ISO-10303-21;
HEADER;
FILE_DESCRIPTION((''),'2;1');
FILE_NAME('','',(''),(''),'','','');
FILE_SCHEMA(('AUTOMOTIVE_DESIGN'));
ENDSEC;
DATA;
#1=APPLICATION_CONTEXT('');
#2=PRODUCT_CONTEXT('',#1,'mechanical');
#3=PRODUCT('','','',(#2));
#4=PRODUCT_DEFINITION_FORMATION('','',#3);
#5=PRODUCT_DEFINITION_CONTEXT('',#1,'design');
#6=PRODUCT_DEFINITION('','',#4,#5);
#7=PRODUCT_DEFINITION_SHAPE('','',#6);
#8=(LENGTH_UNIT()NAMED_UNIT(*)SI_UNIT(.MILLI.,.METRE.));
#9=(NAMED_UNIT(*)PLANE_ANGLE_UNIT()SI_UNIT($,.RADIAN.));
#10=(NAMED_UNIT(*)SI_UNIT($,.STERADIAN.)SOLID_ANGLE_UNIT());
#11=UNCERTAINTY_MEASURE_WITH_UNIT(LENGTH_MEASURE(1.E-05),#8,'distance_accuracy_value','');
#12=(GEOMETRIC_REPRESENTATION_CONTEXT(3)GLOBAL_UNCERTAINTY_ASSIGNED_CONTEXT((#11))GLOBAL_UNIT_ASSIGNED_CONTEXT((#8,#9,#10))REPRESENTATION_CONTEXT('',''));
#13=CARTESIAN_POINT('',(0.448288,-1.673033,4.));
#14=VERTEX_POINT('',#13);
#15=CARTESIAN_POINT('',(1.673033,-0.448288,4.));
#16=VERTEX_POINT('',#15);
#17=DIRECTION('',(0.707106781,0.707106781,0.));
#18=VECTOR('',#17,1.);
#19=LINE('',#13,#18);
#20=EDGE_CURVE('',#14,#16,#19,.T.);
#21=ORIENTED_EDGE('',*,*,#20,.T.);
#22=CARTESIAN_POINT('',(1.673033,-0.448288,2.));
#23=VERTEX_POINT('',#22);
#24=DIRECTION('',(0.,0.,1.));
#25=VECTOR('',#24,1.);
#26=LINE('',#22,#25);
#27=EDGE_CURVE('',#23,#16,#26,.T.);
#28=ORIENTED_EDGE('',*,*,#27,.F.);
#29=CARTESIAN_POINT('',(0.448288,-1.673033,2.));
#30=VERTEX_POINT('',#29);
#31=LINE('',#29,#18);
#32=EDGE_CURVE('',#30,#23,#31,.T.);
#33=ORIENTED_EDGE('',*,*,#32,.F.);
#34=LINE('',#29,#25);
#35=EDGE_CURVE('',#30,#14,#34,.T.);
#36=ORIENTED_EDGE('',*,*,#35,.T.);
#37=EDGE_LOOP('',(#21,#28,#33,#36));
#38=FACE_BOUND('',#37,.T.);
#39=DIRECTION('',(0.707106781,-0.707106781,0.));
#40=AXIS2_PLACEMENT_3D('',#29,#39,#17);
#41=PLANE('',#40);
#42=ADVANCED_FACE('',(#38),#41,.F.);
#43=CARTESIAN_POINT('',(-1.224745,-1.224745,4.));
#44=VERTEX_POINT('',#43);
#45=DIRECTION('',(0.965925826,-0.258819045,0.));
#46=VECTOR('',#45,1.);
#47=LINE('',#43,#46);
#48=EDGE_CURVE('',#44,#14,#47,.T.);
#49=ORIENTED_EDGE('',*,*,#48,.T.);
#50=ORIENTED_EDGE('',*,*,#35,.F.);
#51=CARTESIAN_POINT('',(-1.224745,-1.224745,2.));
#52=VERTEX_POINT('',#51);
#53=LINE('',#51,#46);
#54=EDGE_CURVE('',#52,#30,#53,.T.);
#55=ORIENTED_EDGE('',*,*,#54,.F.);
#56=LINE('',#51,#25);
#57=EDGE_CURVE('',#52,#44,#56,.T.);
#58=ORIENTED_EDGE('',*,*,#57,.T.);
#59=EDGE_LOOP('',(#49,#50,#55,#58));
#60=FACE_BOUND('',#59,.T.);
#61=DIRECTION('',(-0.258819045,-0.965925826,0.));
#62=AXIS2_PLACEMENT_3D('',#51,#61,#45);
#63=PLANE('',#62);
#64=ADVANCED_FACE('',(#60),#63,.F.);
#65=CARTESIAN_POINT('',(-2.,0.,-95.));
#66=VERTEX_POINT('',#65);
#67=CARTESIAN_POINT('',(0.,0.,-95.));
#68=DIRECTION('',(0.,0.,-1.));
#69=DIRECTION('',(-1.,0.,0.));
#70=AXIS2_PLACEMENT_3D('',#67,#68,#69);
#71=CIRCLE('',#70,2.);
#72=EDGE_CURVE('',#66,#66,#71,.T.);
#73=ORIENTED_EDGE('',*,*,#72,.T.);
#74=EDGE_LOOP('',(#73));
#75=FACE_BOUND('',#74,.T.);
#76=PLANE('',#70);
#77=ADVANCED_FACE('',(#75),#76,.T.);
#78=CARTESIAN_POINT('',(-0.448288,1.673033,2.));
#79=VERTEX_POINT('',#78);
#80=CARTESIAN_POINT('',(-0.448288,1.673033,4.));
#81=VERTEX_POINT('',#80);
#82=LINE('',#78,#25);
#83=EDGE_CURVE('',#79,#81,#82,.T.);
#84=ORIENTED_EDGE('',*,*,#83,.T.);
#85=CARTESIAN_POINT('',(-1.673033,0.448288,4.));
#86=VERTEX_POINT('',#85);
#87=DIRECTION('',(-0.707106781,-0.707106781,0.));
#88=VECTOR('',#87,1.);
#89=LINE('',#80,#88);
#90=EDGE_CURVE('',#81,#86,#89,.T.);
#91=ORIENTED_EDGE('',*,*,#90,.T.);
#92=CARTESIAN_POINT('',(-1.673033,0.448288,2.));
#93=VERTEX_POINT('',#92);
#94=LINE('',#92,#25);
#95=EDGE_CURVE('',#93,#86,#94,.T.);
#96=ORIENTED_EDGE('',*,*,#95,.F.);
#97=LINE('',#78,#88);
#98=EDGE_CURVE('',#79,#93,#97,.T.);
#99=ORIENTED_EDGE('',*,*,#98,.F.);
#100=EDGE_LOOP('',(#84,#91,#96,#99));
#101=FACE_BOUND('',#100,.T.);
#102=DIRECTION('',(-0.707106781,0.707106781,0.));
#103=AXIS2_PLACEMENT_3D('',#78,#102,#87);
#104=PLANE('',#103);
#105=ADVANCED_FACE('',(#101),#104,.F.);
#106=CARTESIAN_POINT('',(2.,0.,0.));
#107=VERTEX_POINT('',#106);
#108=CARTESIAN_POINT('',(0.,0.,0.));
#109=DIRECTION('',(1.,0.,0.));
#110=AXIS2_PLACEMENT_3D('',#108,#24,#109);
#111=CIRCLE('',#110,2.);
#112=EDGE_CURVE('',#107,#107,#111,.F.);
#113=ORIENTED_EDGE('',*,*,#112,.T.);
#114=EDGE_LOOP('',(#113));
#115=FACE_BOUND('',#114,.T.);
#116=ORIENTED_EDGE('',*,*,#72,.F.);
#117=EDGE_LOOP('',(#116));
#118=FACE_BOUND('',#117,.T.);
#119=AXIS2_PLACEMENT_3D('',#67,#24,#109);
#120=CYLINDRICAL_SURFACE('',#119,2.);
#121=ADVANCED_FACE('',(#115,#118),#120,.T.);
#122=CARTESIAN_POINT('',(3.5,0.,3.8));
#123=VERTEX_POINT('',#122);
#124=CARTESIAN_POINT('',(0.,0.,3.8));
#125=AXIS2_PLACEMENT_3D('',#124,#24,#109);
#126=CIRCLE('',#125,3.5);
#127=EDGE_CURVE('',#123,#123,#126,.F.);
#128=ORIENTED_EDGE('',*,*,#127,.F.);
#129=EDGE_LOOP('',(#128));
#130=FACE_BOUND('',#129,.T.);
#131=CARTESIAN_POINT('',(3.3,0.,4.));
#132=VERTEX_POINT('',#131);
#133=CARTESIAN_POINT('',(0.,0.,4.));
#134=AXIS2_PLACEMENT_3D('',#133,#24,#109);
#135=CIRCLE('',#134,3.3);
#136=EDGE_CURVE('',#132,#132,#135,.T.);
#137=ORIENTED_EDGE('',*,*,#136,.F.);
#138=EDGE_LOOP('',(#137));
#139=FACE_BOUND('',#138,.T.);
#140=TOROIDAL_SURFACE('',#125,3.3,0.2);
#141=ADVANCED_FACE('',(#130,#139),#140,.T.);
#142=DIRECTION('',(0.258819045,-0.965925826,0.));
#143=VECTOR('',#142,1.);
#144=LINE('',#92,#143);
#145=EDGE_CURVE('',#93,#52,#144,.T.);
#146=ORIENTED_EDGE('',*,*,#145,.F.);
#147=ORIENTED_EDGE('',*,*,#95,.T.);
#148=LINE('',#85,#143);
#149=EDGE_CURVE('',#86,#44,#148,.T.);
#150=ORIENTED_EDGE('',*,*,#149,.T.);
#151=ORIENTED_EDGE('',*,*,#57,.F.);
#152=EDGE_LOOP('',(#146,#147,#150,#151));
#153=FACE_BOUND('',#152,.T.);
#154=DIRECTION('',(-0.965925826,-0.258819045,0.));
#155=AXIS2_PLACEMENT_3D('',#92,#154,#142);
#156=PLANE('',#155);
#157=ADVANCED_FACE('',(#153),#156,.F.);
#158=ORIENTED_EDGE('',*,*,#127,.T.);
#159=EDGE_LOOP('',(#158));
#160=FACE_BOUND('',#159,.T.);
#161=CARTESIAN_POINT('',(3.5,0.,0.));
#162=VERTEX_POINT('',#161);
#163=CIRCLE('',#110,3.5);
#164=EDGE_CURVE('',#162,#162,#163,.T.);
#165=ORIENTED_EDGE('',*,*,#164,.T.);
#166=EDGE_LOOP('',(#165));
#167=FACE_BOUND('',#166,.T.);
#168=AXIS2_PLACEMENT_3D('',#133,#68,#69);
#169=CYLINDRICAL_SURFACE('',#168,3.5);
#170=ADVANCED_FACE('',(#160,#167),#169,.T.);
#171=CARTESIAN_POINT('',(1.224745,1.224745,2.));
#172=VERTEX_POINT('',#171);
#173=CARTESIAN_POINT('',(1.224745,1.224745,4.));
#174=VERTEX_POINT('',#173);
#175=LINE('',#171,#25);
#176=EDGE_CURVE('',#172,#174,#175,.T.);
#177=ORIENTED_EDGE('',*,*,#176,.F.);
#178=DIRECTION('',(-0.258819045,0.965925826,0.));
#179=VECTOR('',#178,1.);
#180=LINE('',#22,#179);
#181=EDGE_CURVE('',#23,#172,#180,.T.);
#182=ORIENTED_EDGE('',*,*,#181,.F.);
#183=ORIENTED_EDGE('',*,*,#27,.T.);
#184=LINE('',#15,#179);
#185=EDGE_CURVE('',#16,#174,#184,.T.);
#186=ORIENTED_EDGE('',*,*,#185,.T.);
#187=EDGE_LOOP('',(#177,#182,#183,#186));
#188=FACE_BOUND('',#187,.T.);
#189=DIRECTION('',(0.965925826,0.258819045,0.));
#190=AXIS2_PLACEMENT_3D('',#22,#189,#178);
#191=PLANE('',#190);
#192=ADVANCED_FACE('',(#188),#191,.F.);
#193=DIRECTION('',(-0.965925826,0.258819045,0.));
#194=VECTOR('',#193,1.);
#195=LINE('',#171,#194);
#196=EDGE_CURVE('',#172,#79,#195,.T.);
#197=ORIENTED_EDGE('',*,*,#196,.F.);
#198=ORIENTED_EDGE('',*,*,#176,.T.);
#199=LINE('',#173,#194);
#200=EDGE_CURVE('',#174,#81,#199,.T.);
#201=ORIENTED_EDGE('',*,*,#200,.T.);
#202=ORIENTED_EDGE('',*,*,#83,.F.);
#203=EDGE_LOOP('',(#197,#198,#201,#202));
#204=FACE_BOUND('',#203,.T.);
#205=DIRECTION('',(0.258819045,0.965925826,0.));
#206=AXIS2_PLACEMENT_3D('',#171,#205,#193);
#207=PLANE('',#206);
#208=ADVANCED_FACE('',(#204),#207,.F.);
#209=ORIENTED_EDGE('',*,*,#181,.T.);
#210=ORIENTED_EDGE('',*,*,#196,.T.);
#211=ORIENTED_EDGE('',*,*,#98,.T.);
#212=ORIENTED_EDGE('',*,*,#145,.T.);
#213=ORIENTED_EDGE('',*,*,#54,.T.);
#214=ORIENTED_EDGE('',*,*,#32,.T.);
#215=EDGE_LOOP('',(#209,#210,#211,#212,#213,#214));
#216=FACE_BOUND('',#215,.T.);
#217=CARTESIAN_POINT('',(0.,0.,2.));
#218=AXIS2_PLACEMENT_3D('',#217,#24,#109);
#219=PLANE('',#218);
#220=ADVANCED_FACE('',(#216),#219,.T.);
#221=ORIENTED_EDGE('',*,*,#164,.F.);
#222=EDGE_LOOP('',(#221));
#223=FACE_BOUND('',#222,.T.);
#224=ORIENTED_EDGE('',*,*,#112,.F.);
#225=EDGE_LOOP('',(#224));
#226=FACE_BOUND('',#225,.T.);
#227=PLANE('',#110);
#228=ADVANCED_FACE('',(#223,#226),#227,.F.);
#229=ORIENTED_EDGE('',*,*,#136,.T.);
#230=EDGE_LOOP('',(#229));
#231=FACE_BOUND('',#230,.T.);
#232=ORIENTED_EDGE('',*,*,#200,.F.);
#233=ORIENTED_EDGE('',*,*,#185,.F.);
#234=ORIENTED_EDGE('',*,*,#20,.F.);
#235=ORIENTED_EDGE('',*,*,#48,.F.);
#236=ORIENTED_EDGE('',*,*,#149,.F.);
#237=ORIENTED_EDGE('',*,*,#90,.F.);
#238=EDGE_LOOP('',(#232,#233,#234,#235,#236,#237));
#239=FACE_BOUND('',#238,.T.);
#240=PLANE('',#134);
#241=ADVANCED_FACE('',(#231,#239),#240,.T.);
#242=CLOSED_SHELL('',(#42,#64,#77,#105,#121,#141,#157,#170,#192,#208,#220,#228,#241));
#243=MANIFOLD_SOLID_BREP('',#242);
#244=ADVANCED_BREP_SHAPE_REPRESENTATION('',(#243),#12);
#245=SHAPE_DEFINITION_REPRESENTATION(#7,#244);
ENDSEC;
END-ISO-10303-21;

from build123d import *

# Parameters (mm, degrees)
SKETCH_1_R          = 3.5
EXTRUDE_1_DEPTH     = 4
CUT_EXTRUDE_1_DEPTH = 2
SKETCH_3_R          = 2
EXTRUDE_2_DEPTH     = 95
FILLET_1_R          = 0.2


with BuildPart() as part:
    # 草图1 → 凸台-拉伸1 (new body)
    with BuildSketch(Plane.XY):
        Circle(SKETCH_1_R)
    extrude(amount=EXTRUDE_1_DEPTH)

    # 草图2 → 切除-拉伸1 (cut)
    with BuildSketch(Plane.XY.offset(4)):
        Polygon((-1.224744871, -1.224744871), (0.448287736, -1.673032607), (1.673032607, -0.448287736), (1.224744871, 1.224744871), (-0.448287736, 1.673032607), (-1.673032607, 0.448287736), align=None)
    extrude(amount=-CUT_EXTRUDE_1_DEPTH, mode=Mode.SUBTRACT)

    # 草图3 → 凸台-拉伸2 (add)
    with BuildSketch(Plane(origin=(0, 0, 0), x_dir=(-1, 0, 0), z_dir=(0, 0, -1))):
        with Locations(Location((0, 0, 0), (0, 0, 180))):
            Circle(SKETCH_3_R)
    extrude(amount=EXTRUDE_2_DEPTH)

    # 圆角1
    fillet_1_edges = [part.edges().sort_by_distance(p)[0] for p in [
        (-3.5, 0, 4),
    ]]
    fillet(fillet_1_edges, radius=FILLET_1_R)


solid = part.part
